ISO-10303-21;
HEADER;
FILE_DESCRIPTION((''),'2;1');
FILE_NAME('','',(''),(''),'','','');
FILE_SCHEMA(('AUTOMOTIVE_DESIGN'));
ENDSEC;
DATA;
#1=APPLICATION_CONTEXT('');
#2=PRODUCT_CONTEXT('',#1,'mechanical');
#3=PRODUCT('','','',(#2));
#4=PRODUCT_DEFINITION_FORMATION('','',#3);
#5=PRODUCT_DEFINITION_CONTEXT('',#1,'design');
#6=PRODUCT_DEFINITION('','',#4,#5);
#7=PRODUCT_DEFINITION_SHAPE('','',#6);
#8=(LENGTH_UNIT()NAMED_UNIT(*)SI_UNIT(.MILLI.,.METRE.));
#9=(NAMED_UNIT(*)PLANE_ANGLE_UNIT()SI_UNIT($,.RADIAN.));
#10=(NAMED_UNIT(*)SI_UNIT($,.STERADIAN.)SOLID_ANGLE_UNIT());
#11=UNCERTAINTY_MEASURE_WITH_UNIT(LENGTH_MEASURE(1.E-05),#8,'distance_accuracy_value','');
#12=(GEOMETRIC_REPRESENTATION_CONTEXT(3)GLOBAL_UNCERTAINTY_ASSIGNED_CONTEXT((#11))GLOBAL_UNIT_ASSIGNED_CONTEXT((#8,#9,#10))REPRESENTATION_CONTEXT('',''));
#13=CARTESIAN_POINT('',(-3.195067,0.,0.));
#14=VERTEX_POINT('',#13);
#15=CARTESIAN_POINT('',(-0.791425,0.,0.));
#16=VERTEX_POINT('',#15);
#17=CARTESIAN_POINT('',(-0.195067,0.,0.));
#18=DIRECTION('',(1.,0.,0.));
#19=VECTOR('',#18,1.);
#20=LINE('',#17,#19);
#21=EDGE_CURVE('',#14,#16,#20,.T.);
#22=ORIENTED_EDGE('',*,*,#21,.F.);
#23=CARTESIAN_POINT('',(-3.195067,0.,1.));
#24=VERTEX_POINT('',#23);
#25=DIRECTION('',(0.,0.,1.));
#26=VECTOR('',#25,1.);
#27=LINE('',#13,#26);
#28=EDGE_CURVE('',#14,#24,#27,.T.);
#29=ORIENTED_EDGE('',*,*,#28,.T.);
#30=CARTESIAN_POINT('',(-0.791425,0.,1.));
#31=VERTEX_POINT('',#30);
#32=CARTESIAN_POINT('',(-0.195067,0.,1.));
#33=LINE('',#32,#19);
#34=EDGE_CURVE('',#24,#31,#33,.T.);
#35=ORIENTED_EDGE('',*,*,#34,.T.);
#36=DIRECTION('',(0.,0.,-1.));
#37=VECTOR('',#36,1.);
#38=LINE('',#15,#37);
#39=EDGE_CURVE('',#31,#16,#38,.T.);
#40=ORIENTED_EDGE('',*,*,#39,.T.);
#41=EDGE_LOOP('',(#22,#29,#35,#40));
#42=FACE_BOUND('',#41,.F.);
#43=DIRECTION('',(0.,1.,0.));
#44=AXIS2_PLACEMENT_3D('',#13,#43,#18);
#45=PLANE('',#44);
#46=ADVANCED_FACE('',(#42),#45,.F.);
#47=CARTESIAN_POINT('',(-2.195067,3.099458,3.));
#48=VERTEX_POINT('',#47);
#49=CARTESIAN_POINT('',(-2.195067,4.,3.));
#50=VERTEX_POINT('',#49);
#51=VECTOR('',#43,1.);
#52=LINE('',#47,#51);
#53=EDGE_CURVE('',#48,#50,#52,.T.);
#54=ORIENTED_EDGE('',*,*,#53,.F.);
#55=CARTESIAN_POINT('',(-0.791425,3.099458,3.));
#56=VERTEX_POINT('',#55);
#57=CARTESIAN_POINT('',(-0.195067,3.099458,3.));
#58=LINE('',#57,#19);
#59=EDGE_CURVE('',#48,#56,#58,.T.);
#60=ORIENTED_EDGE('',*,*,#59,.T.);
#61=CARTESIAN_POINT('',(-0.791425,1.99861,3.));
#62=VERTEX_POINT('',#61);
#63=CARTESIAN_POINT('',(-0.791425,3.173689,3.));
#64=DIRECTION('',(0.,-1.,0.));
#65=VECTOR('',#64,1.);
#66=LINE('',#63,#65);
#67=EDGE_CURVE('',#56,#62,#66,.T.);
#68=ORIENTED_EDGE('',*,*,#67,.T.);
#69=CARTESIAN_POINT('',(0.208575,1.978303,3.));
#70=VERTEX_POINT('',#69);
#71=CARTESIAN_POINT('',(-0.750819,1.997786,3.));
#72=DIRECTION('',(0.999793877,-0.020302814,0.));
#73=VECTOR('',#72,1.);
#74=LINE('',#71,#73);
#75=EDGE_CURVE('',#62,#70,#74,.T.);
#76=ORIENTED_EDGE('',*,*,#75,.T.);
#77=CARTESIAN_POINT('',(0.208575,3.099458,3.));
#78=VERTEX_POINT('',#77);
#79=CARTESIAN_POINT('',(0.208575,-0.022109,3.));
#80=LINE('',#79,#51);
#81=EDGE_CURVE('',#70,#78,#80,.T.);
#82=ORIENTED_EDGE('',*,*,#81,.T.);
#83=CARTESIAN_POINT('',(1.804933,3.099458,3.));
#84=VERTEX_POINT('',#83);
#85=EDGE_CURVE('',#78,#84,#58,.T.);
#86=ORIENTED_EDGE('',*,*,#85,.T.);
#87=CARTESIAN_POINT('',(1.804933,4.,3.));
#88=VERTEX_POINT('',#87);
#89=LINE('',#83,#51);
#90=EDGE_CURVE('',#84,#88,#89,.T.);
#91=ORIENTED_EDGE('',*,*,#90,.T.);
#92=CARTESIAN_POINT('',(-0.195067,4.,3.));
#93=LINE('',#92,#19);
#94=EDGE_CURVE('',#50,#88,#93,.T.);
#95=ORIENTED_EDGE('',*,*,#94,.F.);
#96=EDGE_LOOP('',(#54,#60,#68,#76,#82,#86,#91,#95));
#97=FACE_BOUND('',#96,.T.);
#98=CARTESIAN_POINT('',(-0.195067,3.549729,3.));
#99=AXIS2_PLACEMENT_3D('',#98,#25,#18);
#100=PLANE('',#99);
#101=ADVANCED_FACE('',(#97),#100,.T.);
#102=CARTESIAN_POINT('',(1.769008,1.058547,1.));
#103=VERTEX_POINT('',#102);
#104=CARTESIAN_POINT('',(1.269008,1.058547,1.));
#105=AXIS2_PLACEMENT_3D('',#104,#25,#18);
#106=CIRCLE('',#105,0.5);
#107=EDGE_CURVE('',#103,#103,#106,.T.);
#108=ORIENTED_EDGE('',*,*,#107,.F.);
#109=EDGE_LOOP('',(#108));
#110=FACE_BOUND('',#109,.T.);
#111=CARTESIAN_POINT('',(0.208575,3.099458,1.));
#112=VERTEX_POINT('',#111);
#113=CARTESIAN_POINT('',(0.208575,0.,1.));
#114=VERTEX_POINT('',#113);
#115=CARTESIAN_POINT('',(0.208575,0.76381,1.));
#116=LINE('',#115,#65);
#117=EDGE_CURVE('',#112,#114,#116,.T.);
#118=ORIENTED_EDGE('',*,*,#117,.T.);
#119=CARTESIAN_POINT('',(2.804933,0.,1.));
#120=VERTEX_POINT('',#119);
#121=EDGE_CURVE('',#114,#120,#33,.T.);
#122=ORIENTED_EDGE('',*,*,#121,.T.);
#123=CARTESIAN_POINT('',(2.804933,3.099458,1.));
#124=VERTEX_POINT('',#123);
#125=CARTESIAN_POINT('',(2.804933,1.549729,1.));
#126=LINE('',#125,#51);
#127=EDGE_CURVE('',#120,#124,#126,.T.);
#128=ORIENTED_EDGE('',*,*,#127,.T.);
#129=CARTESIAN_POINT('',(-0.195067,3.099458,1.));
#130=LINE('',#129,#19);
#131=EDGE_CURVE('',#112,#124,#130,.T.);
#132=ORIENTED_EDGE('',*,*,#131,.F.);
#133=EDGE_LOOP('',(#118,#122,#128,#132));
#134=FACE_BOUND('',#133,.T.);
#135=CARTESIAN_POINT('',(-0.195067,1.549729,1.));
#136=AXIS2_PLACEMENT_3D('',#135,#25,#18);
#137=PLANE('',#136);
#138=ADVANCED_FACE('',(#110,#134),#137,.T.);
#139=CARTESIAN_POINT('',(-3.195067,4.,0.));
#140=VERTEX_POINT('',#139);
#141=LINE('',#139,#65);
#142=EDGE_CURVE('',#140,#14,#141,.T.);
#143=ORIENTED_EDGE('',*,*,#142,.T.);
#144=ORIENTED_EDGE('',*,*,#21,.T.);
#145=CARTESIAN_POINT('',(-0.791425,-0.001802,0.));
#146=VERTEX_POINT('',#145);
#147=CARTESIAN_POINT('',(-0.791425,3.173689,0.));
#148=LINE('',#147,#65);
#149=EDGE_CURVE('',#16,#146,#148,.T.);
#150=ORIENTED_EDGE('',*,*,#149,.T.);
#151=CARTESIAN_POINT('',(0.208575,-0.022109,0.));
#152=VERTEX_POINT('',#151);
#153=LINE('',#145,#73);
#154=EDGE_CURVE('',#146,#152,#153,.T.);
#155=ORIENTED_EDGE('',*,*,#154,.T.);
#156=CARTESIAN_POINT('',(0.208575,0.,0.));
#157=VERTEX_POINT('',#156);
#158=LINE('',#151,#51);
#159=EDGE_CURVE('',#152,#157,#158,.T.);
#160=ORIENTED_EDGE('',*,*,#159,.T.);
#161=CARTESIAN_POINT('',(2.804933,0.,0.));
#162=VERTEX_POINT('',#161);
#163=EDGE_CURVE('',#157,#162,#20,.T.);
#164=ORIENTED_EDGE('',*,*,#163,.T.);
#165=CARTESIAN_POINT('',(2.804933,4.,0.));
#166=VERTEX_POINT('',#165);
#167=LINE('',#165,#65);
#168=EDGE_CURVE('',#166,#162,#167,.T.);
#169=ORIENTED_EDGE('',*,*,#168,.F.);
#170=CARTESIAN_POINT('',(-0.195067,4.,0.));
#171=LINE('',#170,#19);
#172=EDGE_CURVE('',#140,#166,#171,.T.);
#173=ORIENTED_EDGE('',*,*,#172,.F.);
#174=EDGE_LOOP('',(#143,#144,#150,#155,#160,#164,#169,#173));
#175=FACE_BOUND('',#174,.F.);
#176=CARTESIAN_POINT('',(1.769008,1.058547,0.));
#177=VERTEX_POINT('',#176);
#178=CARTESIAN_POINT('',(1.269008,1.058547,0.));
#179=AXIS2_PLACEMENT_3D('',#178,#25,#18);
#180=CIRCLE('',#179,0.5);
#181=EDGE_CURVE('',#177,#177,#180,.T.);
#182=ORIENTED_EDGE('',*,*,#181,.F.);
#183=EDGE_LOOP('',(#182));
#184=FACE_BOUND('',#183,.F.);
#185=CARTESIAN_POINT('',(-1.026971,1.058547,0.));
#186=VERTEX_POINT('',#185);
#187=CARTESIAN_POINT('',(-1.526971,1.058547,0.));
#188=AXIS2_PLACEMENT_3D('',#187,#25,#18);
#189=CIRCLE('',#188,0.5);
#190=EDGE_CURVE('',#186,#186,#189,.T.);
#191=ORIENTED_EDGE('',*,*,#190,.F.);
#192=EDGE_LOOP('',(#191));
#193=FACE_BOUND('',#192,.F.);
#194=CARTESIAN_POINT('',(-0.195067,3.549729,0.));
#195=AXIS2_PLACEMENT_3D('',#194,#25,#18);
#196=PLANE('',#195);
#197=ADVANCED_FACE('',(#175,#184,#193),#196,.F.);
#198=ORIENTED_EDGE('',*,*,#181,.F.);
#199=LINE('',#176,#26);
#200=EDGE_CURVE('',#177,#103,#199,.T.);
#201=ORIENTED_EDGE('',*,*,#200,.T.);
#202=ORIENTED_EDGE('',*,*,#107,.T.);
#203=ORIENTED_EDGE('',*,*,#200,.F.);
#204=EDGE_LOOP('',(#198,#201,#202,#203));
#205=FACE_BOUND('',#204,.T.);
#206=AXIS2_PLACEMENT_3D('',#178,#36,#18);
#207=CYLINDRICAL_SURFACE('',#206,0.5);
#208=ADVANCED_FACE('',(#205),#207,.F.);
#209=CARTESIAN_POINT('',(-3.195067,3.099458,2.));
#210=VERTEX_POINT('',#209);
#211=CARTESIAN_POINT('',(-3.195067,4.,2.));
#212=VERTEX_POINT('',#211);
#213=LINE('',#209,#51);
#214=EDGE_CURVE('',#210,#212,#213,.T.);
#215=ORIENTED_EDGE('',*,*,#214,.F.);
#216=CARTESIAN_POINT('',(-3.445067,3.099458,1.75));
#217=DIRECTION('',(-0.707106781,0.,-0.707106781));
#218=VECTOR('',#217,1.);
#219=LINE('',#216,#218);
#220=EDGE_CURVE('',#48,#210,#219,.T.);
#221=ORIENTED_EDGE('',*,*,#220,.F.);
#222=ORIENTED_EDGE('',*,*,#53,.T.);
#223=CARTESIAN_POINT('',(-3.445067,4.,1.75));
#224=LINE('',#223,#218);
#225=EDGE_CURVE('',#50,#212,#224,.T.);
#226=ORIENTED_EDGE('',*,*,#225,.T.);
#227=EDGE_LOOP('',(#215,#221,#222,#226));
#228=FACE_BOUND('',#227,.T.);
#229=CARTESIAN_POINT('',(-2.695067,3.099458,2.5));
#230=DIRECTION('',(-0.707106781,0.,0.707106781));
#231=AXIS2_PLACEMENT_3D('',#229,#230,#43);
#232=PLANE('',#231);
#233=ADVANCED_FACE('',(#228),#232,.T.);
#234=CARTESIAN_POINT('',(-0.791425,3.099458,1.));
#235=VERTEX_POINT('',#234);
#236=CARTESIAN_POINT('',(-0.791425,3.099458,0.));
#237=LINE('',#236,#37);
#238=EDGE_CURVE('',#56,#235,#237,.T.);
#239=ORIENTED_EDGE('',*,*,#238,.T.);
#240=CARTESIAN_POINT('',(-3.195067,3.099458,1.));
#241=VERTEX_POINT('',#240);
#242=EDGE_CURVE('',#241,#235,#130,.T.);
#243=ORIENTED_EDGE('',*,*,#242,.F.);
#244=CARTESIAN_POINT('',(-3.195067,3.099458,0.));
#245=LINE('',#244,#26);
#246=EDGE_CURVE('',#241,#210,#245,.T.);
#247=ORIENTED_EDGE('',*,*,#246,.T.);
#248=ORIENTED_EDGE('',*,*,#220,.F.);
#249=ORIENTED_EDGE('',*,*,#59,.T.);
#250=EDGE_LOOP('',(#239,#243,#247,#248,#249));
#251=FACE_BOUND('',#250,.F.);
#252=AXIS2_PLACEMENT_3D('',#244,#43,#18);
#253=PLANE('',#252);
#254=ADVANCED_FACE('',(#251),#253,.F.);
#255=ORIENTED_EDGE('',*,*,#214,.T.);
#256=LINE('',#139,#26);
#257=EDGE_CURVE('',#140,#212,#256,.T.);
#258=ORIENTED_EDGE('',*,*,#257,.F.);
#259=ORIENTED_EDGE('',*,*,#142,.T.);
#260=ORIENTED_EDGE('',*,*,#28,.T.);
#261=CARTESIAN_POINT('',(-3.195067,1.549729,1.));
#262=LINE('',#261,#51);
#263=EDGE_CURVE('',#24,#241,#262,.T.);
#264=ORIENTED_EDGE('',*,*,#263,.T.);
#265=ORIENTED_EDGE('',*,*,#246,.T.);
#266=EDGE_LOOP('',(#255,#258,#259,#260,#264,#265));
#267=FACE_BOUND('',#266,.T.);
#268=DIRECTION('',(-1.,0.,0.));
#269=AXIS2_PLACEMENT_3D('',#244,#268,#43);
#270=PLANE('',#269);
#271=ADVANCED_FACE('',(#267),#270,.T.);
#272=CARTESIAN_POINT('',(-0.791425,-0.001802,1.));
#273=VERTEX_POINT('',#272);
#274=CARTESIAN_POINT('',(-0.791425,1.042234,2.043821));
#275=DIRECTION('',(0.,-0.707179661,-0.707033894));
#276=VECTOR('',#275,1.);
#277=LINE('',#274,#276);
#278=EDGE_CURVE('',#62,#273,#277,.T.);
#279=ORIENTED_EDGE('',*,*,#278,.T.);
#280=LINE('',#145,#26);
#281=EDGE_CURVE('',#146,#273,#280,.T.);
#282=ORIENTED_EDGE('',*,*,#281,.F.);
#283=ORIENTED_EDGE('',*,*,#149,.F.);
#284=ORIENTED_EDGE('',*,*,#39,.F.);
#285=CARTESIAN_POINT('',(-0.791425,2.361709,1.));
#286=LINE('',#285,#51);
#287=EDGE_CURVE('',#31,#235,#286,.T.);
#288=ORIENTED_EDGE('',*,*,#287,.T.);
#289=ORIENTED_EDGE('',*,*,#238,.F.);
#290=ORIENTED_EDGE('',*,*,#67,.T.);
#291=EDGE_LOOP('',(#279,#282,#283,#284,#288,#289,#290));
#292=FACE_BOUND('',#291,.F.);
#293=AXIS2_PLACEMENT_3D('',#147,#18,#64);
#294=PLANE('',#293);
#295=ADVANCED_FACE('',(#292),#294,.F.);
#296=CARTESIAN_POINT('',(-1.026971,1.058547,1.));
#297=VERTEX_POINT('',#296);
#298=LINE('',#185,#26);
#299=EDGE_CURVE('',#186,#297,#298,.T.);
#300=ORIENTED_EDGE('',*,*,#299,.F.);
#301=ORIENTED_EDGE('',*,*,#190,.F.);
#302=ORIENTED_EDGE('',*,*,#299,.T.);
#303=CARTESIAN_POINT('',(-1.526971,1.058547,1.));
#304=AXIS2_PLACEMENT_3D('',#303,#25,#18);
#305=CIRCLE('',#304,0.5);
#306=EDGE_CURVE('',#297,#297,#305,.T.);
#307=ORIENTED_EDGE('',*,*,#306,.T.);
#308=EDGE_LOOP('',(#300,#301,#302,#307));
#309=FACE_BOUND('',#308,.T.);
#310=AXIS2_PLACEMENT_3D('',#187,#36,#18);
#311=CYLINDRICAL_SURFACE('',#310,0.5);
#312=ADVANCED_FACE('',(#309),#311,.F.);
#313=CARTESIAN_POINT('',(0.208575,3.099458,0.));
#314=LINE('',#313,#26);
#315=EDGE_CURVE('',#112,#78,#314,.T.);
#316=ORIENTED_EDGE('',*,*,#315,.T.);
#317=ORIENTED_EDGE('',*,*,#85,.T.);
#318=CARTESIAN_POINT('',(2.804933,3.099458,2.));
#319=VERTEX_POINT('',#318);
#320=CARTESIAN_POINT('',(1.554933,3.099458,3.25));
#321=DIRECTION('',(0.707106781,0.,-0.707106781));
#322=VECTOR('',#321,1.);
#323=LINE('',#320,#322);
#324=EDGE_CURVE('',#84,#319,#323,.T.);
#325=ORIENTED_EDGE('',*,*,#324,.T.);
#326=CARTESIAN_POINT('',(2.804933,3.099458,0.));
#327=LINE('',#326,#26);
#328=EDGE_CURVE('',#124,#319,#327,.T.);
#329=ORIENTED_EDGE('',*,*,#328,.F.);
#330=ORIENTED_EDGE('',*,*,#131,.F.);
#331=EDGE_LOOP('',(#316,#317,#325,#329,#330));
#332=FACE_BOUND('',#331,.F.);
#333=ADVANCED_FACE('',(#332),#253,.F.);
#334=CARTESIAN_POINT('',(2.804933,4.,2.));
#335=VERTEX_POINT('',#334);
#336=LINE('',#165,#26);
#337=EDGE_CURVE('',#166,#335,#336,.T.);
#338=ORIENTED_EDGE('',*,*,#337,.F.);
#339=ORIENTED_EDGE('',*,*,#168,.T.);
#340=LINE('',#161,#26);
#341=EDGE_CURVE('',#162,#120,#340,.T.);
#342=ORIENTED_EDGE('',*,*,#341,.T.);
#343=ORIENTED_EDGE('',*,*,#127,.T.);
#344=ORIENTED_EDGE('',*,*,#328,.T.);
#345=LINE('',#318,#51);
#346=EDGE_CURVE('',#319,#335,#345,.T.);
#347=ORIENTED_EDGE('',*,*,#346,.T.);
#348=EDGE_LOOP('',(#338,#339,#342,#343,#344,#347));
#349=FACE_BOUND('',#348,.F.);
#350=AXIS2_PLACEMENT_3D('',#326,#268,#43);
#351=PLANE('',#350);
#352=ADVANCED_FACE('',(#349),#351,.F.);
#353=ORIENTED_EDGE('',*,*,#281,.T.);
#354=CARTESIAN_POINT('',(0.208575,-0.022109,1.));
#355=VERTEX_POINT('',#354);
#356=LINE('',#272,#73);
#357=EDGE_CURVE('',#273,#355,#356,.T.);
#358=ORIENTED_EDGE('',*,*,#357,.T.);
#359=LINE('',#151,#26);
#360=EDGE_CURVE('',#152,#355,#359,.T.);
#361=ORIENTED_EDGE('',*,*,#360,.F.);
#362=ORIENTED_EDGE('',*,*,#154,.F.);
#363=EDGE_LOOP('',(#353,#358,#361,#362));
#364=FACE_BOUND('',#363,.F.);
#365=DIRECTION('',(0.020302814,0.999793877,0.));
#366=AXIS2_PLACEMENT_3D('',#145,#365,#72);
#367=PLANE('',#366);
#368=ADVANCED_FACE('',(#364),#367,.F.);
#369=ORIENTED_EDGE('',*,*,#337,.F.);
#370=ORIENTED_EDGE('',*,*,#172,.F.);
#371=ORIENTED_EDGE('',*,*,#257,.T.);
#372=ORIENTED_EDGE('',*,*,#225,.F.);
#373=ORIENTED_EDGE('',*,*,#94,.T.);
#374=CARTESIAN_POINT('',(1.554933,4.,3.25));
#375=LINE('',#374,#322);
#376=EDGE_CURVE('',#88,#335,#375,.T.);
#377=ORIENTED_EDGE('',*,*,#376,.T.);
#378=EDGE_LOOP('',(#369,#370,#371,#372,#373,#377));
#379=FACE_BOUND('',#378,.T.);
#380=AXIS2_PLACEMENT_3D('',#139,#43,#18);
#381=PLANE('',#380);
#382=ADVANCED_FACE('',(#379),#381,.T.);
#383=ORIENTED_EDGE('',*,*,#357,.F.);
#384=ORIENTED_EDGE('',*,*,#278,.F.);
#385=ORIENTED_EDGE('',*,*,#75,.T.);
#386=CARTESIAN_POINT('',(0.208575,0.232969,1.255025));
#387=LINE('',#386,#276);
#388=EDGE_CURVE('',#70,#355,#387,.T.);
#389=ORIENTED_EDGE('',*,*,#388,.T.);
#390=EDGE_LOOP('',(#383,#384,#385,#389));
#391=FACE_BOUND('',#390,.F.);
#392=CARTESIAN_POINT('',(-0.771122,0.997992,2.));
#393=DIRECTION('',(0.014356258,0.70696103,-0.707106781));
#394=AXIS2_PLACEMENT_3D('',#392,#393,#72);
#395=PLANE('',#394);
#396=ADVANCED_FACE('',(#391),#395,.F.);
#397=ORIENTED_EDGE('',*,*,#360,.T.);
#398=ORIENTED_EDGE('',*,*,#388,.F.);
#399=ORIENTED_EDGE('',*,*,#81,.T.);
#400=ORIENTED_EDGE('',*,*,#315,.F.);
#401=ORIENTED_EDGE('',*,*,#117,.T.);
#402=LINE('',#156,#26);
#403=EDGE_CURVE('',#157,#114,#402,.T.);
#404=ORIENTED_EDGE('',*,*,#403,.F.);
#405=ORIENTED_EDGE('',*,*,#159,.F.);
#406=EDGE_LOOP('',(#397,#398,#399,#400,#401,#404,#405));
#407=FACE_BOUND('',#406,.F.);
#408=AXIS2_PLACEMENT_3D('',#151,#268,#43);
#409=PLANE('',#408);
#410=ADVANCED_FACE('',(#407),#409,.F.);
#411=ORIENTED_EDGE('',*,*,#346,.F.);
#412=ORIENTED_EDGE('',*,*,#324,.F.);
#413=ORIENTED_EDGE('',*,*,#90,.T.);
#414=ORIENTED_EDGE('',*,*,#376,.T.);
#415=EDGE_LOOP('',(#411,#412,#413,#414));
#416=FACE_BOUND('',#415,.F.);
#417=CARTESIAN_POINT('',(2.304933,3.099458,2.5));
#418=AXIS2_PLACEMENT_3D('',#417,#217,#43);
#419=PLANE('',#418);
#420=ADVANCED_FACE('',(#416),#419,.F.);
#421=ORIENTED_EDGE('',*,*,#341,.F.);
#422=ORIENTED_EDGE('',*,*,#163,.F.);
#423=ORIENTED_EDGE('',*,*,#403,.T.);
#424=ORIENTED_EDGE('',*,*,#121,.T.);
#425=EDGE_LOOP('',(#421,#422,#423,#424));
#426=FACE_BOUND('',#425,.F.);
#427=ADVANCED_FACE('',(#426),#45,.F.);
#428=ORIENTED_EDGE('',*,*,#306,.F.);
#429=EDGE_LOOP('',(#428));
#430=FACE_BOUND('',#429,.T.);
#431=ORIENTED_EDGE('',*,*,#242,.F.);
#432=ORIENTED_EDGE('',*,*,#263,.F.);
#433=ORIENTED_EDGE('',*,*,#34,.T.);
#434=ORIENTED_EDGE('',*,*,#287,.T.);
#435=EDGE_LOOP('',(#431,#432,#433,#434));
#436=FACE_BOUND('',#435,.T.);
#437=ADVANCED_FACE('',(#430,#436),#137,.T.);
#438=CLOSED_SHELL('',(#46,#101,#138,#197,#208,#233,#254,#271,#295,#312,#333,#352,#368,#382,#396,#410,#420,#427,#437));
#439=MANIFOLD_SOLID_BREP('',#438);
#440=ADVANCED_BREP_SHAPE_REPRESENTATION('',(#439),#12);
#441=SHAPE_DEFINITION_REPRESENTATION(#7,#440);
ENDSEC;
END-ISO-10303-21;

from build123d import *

# Parameters (mm, degrees)
F0_W     = 6
F0_H     = 3.099458
F0_R     = 0.5
F1_DEPTH = 1
F0_H_2   = 0.900542
F2_DEPTH = 3
F4_DEPTH = 3
F5_SIZE  = 1
F6_SIZE  = 1
F7_SIZE  = 2


with BuildPart() as f1:
    # F0 (on Top) → F1 (new body)
    with BuildSketch(Plane.XY):
        with Locations((-0.195067, 1.549729)):
            Rectangle(F0_W, F0_H)
        with Locations((-1.526971, 1.058547)):
            Circle(F0_R, mode=Mode.SUBTRACT)
        with Locations((1.269008, 1.058547)):
            Circle(F0_R, mode=Mode.SUBTRACT)
    extrude(amount=F1_DEPTH)

    # F0 (on Top) → F2 (join)
    with BuildSketch(Plane.XY):
        with Locations((-0.195067, 3.549729)):
            Rectangle(F0_W, F0_H_2)
    extrude(amount=F2_DEPTH)

    # F3 (on Top) → F4 (join)
    with BuildSketch(Plane.XY):
        Polygon((0.208575, 3.160667), (-0.791425, 3.173689), (-0.791425, -0.001802), (0.208575, -0.022109), align=None)
    extrude(amount=F4_DEPTH)

    # F5
    f5_edges = [f1.edges().sort_by_distance(p)[0] for p in [
        (2.804933, 3.549729, 3),
    ]]
    chamfer(f5_edges, length=F5_SIZE)

    # F6
    f6_edges = [f1.edges().sort_by_distance(p)[0] for p in [
        (-3.195067, 3.549729, 3),
    ]]
    chamfer(f6_edges, length=F6_SIZE)

    # F7
    f7_edges = [f1.edges().sort_by_distance(p)[0] for p in [
        (-0.291425, -0.011956, 3),
    ]]
    chamfer(f7_edges, length=F7_SIZE)


solid = f1.part
